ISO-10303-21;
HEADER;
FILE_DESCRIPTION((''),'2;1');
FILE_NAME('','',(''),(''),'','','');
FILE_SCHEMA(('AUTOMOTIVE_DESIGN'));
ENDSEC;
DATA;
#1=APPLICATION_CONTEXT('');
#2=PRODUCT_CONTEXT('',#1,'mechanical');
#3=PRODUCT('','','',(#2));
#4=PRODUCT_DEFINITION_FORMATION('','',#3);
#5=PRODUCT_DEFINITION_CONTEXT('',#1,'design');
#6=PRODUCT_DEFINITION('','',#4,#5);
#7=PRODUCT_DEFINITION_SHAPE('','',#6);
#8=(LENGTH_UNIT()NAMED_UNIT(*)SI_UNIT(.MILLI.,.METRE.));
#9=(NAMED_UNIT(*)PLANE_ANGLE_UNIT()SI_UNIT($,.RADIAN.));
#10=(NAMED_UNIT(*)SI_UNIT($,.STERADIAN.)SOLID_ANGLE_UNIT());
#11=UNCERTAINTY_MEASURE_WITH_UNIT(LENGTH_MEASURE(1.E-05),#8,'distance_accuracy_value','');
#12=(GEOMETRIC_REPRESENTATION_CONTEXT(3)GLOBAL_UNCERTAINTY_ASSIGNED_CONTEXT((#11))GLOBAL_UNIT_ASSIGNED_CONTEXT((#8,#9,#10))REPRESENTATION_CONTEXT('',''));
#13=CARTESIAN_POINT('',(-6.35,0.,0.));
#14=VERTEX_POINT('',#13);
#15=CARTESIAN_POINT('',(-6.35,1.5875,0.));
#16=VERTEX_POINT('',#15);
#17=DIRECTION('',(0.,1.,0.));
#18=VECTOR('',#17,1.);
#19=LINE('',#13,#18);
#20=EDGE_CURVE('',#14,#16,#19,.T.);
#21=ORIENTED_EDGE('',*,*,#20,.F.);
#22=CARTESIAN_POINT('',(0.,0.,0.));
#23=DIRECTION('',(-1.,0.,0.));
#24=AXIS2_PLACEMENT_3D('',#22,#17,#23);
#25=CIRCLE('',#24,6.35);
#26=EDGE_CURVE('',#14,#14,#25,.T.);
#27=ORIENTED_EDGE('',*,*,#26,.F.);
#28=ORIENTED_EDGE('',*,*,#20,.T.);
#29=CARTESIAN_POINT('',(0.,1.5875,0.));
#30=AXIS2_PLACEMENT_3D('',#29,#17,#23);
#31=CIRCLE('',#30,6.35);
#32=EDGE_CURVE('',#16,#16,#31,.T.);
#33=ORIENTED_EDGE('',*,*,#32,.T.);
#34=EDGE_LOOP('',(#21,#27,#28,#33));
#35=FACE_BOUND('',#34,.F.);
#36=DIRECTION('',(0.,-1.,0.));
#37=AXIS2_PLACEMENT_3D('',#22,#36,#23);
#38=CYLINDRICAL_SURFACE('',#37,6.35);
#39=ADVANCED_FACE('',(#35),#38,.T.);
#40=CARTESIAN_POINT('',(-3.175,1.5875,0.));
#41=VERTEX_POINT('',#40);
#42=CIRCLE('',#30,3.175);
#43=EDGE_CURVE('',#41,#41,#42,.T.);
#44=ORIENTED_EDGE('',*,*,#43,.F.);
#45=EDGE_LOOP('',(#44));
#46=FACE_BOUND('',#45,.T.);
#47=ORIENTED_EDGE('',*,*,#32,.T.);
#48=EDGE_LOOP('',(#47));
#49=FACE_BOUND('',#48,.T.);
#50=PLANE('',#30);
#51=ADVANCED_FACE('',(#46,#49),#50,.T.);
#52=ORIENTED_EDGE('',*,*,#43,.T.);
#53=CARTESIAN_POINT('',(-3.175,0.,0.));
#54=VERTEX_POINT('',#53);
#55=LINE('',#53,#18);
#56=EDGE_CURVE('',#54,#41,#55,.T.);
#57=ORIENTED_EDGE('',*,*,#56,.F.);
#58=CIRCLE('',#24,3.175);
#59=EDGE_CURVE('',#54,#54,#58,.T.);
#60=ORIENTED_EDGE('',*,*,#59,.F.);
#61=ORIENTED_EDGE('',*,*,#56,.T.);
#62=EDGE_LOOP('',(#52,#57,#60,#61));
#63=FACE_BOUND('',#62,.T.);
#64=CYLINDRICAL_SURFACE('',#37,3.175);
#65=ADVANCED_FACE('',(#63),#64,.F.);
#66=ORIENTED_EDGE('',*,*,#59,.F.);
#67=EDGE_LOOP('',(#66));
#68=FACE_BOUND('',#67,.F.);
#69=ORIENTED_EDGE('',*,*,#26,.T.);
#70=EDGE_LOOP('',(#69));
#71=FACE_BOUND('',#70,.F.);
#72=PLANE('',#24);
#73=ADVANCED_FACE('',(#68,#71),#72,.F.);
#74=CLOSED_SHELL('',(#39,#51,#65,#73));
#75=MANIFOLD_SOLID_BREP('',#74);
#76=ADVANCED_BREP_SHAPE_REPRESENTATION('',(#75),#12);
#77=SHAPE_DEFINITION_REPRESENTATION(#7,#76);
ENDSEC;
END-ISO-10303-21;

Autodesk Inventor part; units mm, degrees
ref_plane "YZ Plane" through (0, 0, 0) normal (1, 0, 0) x (0, 1, 0)
ref_plane "XZ Plane" through (0, 0, 0) normal (0, 1, 0) x (-1, 0, 0)
ref_plane "XY Plane" through (0, 0, 0) normal (0, 0, 1) x (1, 0, 0)
sketch "Sketch1" plane through (0, 0, 0) normal (0, 1, 0) x (-1, 0, 0)
  circle A0 centre (0, 0) radius 3.175
  circle A1 centre (0, 0) radius 6.35
  dimension "d1" = 12.7
  dimension "d4" = 6.35
extrude "Extrusion1" add sketch "Sketch1" along normal blind 1.5875
equation "\"d2\" = shaftSpace"
equation "\"height\" = 203.2"
equation "\"shaftDiam\" = 6.35"
equation "\"test\" = 2.54"
equation "\"shaftSpace\" = 1.5875"
equation "\"stageSpace\" = 2.54"
equation "\"stageAngle\" = 15deg"
equation "\"groundActu\" = 304.8"
equation "\"capThickness\" = 3.175"
equation "\"baseDepth\" = 254"
equation "\"baseWidth\" = 1066.8"
equation "\"stockHeight\" = 50.8"
equation "\"stockWidth\" = 76.2"
equation "\"stockGuage\" = 3.175"
equation "\"stockRad\" = 9.525"
equation "\"sup1Ang\" = 22.619865deg"
equation "\"sup1Len\" = 660.4"
equation "\"supVertLen\" = 955.13561"
equation "\"sup2Ang\" = 8.959949deg"
equation "\"sup2Len\" = 2079.37366"
equation "\"supSideAng\" = 19.376933deg"
equation "\"supSideLen\" = 1531.12879"
equation "\"FlangeDiam\" = 12.7"
equation "\"bearingDiam\" = 9.5504"
equation "\"FlangeDepth\" = 1.5875"
equation "\"smallFilet\" = 0.39687"
equation "\"thickness\" = 12.7"
equation "\"ringDiam\" = 96.46608"
properties part number "arm shaft spacer" material "Aluminum 6061"
